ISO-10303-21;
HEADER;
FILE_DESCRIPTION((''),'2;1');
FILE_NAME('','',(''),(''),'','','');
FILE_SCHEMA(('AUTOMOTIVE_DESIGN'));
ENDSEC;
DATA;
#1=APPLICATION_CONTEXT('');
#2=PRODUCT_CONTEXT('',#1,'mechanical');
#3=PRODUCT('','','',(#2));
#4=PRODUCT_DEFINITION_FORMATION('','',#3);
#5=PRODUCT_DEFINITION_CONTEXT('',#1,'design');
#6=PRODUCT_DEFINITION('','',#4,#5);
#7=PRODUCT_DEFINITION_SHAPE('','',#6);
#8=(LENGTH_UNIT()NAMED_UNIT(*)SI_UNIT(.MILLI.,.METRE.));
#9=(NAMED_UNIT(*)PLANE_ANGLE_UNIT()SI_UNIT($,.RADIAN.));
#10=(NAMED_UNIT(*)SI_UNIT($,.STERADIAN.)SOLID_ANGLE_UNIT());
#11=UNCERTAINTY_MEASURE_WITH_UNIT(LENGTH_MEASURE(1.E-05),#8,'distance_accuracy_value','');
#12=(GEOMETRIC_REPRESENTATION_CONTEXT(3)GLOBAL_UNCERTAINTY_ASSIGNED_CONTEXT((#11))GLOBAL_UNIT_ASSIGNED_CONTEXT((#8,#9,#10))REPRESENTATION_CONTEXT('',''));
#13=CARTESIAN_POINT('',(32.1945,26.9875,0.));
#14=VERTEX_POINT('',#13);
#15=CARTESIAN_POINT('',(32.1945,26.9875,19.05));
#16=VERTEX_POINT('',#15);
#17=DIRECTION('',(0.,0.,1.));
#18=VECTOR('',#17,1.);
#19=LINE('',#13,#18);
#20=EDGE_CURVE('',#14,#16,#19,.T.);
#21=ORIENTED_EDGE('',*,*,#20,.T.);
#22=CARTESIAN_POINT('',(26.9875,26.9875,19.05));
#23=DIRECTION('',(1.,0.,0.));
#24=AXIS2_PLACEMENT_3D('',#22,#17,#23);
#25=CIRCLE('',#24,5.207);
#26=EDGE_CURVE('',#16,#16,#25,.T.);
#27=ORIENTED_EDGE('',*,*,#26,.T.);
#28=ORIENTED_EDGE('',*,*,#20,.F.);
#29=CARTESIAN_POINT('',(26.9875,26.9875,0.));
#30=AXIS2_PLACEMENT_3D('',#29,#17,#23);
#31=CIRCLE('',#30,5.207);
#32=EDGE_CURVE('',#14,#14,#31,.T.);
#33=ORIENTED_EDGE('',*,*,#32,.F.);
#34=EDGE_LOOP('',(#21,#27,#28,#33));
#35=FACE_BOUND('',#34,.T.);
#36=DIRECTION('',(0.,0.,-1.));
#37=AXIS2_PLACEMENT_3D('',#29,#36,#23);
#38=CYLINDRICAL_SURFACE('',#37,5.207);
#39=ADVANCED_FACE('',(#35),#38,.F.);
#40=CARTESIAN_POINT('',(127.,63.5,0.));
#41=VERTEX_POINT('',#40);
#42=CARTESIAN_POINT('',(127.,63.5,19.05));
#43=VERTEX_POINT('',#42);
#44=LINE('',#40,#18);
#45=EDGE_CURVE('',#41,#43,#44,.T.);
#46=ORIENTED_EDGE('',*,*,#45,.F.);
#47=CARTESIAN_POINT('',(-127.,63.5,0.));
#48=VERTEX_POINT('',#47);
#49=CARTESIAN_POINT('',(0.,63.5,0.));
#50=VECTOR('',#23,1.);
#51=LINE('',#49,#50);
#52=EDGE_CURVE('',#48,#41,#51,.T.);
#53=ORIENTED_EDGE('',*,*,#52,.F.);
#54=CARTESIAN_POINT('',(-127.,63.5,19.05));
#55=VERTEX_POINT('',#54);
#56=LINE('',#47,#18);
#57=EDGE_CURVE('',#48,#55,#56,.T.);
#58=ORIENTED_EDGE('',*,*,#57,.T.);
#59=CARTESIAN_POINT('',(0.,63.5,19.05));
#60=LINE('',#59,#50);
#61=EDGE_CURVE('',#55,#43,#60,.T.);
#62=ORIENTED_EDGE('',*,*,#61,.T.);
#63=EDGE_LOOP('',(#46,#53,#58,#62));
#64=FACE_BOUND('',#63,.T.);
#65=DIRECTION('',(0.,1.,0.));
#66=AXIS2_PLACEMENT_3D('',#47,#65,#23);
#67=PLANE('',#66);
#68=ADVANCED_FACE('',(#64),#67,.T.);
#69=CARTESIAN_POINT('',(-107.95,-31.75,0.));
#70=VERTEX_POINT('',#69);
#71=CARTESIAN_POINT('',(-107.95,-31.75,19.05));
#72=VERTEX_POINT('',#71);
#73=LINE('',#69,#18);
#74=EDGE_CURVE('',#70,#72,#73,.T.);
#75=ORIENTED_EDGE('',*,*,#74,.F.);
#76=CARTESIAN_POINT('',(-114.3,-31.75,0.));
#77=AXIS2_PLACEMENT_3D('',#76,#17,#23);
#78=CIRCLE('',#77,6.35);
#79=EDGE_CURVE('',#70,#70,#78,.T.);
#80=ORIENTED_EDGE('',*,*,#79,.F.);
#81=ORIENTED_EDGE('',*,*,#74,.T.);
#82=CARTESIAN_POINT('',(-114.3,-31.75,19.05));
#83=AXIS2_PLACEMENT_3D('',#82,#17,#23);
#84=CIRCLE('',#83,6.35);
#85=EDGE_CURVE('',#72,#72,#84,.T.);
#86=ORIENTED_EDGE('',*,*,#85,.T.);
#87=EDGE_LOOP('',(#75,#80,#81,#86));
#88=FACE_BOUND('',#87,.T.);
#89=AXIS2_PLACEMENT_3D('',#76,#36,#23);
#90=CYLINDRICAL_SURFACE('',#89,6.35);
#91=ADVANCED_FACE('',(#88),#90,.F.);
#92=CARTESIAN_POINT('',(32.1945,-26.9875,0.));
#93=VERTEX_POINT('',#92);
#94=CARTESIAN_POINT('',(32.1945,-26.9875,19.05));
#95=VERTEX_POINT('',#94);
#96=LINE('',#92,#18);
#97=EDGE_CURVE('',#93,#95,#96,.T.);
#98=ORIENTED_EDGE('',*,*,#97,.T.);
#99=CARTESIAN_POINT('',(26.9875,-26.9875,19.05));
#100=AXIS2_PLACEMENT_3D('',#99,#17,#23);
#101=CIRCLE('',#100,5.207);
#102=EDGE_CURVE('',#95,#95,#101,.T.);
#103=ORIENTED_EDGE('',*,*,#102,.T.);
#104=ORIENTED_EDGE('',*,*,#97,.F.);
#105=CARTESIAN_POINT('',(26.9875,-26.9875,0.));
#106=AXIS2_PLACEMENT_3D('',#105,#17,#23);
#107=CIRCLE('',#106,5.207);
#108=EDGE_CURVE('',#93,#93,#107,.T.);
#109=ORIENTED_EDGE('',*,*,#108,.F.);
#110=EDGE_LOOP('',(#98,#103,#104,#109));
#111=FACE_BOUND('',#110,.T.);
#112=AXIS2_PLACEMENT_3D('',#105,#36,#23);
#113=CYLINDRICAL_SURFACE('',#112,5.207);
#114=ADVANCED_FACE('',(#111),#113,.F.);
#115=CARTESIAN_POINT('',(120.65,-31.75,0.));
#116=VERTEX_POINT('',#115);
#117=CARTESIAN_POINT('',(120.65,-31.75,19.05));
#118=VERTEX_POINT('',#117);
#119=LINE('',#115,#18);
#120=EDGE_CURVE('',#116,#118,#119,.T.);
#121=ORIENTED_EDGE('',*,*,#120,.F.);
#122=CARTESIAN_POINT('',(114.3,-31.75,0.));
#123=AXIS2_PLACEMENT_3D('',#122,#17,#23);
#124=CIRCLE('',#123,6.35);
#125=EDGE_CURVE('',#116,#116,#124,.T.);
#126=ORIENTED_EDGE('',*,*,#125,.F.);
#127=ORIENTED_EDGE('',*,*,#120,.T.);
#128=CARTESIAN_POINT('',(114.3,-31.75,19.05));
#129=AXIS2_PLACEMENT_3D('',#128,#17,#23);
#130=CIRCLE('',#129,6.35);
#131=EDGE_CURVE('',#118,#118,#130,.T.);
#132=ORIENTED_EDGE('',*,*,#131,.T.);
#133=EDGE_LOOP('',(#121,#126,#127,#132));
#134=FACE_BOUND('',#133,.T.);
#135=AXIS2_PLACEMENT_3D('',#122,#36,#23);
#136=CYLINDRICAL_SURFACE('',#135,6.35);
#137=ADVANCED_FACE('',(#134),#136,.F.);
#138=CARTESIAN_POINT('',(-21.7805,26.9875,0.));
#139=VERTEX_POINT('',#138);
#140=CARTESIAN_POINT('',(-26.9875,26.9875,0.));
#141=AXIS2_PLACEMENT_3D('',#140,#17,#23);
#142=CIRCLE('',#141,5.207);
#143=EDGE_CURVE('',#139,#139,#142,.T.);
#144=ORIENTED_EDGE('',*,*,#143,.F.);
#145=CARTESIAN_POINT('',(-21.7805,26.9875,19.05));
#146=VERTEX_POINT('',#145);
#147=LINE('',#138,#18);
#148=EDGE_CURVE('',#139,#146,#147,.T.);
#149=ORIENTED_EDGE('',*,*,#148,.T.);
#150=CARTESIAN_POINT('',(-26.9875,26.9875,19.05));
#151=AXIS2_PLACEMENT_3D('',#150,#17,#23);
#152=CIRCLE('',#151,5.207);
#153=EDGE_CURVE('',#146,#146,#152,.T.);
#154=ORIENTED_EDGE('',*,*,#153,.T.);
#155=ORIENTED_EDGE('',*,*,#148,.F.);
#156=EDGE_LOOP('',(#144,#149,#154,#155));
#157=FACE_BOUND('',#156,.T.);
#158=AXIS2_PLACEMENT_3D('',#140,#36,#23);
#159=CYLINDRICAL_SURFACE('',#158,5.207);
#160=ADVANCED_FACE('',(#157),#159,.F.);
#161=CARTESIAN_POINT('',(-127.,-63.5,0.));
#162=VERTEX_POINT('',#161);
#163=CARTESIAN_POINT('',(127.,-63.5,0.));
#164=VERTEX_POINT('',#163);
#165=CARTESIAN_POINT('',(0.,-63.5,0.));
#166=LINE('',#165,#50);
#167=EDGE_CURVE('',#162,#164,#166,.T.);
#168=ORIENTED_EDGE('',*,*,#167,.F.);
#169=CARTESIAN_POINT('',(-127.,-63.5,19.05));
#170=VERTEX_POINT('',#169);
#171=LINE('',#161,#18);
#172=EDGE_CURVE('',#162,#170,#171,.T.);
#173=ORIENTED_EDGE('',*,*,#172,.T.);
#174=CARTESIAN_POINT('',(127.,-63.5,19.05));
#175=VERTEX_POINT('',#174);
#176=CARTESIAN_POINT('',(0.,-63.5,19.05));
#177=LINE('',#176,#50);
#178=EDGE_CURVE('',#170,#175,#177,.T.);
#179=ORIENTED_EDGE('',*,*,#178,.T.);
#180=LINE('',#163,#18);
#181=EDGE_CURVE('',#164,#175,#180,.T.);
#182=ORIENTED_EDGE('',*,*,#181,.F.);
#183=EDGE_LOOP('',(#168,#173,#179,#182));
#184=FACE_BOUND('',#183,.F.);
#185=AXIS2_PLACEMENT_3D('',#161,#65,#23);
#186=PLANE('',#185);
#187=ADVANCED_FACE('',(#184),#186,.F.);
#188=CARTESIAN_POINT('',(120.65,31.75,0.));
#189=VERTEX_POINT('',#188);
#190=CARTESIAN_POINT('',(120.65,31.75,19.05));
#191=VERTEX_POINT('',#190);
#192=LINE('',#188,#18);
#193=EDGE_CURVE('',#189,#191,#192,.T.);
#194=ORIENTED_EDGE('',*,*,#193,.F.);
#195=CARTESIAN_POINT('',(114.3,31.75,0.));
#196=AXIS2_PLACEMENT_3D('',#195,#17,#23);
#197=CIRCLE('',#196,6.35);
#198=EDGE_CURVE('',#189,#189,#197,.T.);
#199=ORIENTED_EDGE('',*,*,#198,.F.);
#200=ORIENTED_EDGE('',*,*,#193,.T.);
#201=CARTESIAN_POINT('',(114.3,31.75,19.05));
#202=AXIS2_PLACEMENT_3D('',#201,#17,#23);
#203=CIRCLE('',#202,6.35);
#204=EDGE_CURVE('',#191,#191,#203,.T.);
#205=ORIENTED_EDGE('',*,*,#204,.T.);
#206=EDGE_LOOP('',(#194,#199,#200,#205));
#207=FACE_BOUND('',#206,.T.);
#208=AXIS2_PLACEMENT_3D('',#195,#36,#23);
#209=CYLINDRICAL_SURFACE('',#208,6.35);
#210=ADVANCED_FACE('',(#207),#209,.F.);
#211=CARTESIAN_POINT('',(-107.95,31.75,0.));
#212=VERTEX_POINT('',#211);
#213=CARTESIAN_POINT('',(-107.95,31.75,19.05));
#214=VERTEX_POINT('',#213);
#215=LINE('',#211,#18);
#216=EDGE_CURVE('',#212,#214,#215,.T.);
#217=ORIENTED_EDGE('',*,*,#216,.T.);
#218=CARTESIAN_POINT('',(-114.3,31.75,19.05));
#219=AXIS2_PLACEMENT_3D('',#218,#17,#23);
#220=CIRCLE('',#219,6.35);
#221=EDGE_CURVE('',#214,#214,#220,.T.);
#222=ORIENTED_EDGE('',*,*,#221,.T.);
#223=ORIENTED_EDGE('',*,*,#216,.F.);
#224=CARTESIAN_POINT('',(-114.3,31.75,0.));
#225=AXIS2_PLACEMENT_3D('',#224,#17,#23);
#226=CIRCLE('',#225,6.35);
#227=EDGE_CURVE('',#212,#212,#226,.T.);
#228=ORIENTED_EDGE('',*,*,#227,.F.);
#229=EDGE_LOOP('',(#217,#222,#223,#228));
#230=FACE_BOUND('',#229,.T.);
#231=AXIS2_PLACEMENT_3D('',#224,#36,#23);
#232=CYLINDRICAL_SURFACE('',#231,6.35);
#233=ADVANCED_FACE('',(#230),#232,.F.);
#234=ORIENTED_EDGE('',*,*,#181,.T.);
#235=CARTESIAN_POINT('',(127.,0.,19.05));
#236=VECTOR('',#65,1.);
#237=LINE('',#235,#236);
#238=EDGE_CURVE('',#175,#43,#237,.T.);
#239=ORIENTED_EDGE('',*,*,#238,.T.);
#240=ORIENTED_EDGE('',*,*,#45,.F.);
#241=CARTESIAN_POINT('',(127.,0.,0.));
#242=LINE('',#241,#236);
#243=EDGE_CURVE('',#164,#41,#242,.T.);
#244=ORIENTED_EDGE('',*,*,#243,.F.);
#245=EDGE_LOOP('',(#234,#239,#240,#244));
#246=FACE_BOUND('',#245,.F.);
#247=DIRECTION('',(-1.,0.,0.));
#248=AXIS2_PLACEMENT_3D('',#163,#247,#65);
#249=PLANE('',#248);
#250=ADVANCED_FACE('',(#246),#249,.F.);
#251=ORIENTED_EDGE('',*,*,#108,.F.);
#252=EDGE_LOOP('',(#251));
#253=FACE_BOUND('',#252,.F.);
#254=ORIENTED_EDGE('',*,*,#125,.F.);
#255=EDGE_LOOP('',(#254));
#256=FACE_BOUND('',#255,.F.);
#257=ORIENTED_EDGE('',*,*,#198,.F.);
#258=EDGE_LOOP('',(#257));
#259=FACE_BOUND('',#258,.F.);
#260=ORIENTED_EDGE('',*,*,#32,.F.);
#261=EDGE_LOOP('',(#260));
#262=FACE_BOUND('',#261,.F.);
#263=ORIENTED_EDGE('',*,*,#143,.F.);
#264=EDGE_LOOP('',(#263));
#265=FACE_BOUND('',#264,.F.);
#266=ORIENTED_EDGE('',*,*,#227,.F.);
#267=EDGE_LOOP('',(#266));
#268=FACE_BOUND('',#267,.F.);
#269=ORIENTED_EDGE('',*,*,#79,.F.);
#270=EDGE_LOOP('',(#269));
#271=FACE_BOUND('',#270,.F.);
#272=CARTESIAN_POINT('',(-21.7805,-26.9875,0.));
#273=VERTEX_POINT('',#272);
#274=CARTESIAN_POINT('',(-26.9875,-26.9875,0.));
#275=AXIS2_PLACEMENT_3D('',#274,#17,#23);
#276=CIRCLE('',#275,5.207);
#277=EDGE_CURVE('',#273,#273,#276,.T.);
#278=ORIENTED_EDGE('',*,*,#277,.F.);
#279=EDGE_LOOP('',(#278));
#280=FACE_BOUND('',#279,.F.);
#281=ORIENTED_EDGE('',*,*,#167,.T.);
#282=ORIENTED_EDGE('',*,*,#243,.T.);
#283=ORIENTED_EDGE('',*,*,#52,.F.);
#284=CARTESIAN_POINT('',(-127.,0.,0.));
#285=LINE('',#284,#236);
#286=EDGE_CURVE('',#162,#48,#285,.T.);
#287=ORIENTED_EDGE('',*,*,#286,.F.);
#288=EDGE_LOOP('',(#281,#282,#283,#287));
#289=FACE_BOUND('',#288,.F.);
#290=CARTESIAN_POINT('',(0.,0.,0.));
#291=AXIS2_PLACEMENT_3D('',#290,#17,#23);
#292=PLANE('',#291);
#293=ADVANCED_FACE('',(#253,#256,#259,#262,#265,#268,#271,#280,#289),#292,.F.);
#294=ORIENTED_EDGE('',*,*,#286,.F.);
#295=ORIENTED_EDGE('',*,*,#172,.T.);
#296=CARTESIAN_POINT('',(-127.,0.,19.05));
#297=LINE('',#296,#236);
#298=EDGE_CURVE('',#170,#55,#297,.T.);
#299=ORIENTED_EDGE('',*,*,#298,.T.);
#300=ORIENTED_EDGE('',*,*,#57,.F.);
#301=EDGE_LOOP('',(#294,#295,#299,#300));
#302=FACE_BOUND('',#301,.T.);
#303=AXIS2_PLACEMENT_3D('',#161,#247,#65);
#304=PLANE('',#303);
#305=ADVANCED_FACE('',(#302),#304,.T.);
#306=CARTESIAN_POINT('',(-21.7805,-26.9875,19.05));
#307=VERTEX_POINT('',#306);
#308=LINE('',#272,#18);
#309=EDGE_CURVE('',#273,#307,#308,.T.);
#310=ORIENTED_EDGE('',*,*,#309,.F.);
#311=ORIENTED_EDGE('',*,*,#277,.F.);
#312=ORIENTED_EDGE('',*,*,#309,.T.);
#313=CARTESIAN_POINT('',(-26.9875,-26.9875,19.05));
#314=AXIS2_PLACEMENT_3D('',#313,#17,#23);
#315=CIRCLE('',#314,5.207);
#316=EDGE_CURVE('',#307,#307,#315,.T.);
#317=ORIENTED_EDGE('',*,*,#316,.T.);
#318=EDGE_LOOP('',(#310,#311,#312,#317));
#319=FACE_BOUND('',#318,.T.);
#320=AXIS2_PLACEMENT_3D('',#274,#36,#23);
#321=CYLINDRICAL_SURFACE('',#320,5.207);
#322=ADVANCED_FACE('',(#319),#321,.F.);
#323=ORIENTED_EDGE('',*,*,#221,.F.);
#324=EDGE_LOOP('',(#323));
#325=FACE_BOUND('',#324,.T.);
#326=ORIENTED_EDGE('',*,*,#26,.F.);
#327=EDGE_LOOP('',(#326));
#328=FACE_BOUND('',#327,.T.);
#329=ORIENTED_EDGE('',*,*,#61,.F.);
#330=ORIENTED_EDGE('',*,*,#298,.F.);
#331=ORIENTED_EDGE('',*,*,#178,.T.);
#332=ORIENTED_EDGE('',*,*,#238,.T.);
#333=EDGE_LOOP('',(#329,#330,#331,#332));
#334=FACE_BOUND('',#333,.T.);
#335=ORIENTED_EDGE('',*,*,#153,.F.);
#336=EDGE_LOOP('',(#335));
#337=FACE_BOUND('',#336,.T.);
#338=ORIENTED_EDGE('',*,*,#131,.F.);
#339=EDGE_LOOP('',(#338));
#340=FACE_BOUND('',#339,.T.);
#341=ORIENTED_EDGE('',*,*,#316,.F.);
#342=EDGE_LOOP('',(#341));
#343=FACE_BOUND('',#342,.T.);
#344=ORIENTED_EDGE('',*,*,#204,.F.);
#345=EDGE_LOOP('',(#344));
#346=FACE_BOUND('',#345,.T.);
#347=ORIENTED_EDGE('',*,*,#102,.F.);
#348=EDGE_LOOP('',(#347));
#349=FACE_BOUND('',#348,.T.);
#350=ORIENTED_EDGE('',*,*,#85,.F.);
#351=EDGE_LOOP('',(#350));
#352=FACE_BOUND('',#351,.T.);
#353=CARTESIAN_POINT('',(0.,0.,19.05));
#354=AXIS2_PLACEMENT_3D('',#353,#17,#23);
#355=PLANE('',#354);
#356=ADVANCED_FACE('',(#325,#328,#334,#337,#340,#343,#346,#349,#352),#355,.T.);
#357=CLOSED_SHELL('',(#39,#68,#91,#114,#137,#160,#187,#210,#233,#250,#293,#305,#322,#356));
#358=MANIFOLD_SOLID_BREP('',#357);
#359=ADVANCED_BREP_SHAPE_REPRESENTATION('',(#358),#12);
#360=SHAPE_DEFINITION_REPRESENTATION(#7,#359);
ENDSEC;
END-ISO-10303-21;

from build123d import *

# Parameters (mm, degrees)
F0_W     = 254
F0_H     = 127
F0_R     = 6.35
F0_R_2   = 5.207
F1_DEPTH = 19.05


with BuildPart() as f1:
    # F0 (on Top) → F1 (new body)
    with BuildSketch(Plane.XY):
        Rectangle(F0_W, F0_H)
        with Locations((-114.3, -31.75)):
            Circle(F0_R, mode=Mode.SUBTRACT)
        with Locations((-26.9875, -26.9875)):
            Circle(F0_R_2, mode=Mode.SUBTRACT)
        with Locations((26.9875, -26.9875)):
            Circle(F0_R_2, mode=Mode.SUBTRACT)
        with Locations((114.3, -31.75)):
            Circle(F0_R, mode=Mode.SUBTRACT)
        with Locations((-26.9875, 26.9875)):
            Circle(F0_R_2, mode=Mode.SUBTRACT)
        with Locations((-114.3, 31.75)):
            Circle(F0_R, mode=Mode.SUBTRACT)
        with Locations((26.9875, 26.9875)):
            Circle(F0_R_2, mode=Mode.SUBTRACT)
        with Locations((114.3, 31.75)):
            Circle(F0_R, mode=Mode.SUBTRACT)
    extrude(amount=F1_DEPTH)


solid = f1.part
